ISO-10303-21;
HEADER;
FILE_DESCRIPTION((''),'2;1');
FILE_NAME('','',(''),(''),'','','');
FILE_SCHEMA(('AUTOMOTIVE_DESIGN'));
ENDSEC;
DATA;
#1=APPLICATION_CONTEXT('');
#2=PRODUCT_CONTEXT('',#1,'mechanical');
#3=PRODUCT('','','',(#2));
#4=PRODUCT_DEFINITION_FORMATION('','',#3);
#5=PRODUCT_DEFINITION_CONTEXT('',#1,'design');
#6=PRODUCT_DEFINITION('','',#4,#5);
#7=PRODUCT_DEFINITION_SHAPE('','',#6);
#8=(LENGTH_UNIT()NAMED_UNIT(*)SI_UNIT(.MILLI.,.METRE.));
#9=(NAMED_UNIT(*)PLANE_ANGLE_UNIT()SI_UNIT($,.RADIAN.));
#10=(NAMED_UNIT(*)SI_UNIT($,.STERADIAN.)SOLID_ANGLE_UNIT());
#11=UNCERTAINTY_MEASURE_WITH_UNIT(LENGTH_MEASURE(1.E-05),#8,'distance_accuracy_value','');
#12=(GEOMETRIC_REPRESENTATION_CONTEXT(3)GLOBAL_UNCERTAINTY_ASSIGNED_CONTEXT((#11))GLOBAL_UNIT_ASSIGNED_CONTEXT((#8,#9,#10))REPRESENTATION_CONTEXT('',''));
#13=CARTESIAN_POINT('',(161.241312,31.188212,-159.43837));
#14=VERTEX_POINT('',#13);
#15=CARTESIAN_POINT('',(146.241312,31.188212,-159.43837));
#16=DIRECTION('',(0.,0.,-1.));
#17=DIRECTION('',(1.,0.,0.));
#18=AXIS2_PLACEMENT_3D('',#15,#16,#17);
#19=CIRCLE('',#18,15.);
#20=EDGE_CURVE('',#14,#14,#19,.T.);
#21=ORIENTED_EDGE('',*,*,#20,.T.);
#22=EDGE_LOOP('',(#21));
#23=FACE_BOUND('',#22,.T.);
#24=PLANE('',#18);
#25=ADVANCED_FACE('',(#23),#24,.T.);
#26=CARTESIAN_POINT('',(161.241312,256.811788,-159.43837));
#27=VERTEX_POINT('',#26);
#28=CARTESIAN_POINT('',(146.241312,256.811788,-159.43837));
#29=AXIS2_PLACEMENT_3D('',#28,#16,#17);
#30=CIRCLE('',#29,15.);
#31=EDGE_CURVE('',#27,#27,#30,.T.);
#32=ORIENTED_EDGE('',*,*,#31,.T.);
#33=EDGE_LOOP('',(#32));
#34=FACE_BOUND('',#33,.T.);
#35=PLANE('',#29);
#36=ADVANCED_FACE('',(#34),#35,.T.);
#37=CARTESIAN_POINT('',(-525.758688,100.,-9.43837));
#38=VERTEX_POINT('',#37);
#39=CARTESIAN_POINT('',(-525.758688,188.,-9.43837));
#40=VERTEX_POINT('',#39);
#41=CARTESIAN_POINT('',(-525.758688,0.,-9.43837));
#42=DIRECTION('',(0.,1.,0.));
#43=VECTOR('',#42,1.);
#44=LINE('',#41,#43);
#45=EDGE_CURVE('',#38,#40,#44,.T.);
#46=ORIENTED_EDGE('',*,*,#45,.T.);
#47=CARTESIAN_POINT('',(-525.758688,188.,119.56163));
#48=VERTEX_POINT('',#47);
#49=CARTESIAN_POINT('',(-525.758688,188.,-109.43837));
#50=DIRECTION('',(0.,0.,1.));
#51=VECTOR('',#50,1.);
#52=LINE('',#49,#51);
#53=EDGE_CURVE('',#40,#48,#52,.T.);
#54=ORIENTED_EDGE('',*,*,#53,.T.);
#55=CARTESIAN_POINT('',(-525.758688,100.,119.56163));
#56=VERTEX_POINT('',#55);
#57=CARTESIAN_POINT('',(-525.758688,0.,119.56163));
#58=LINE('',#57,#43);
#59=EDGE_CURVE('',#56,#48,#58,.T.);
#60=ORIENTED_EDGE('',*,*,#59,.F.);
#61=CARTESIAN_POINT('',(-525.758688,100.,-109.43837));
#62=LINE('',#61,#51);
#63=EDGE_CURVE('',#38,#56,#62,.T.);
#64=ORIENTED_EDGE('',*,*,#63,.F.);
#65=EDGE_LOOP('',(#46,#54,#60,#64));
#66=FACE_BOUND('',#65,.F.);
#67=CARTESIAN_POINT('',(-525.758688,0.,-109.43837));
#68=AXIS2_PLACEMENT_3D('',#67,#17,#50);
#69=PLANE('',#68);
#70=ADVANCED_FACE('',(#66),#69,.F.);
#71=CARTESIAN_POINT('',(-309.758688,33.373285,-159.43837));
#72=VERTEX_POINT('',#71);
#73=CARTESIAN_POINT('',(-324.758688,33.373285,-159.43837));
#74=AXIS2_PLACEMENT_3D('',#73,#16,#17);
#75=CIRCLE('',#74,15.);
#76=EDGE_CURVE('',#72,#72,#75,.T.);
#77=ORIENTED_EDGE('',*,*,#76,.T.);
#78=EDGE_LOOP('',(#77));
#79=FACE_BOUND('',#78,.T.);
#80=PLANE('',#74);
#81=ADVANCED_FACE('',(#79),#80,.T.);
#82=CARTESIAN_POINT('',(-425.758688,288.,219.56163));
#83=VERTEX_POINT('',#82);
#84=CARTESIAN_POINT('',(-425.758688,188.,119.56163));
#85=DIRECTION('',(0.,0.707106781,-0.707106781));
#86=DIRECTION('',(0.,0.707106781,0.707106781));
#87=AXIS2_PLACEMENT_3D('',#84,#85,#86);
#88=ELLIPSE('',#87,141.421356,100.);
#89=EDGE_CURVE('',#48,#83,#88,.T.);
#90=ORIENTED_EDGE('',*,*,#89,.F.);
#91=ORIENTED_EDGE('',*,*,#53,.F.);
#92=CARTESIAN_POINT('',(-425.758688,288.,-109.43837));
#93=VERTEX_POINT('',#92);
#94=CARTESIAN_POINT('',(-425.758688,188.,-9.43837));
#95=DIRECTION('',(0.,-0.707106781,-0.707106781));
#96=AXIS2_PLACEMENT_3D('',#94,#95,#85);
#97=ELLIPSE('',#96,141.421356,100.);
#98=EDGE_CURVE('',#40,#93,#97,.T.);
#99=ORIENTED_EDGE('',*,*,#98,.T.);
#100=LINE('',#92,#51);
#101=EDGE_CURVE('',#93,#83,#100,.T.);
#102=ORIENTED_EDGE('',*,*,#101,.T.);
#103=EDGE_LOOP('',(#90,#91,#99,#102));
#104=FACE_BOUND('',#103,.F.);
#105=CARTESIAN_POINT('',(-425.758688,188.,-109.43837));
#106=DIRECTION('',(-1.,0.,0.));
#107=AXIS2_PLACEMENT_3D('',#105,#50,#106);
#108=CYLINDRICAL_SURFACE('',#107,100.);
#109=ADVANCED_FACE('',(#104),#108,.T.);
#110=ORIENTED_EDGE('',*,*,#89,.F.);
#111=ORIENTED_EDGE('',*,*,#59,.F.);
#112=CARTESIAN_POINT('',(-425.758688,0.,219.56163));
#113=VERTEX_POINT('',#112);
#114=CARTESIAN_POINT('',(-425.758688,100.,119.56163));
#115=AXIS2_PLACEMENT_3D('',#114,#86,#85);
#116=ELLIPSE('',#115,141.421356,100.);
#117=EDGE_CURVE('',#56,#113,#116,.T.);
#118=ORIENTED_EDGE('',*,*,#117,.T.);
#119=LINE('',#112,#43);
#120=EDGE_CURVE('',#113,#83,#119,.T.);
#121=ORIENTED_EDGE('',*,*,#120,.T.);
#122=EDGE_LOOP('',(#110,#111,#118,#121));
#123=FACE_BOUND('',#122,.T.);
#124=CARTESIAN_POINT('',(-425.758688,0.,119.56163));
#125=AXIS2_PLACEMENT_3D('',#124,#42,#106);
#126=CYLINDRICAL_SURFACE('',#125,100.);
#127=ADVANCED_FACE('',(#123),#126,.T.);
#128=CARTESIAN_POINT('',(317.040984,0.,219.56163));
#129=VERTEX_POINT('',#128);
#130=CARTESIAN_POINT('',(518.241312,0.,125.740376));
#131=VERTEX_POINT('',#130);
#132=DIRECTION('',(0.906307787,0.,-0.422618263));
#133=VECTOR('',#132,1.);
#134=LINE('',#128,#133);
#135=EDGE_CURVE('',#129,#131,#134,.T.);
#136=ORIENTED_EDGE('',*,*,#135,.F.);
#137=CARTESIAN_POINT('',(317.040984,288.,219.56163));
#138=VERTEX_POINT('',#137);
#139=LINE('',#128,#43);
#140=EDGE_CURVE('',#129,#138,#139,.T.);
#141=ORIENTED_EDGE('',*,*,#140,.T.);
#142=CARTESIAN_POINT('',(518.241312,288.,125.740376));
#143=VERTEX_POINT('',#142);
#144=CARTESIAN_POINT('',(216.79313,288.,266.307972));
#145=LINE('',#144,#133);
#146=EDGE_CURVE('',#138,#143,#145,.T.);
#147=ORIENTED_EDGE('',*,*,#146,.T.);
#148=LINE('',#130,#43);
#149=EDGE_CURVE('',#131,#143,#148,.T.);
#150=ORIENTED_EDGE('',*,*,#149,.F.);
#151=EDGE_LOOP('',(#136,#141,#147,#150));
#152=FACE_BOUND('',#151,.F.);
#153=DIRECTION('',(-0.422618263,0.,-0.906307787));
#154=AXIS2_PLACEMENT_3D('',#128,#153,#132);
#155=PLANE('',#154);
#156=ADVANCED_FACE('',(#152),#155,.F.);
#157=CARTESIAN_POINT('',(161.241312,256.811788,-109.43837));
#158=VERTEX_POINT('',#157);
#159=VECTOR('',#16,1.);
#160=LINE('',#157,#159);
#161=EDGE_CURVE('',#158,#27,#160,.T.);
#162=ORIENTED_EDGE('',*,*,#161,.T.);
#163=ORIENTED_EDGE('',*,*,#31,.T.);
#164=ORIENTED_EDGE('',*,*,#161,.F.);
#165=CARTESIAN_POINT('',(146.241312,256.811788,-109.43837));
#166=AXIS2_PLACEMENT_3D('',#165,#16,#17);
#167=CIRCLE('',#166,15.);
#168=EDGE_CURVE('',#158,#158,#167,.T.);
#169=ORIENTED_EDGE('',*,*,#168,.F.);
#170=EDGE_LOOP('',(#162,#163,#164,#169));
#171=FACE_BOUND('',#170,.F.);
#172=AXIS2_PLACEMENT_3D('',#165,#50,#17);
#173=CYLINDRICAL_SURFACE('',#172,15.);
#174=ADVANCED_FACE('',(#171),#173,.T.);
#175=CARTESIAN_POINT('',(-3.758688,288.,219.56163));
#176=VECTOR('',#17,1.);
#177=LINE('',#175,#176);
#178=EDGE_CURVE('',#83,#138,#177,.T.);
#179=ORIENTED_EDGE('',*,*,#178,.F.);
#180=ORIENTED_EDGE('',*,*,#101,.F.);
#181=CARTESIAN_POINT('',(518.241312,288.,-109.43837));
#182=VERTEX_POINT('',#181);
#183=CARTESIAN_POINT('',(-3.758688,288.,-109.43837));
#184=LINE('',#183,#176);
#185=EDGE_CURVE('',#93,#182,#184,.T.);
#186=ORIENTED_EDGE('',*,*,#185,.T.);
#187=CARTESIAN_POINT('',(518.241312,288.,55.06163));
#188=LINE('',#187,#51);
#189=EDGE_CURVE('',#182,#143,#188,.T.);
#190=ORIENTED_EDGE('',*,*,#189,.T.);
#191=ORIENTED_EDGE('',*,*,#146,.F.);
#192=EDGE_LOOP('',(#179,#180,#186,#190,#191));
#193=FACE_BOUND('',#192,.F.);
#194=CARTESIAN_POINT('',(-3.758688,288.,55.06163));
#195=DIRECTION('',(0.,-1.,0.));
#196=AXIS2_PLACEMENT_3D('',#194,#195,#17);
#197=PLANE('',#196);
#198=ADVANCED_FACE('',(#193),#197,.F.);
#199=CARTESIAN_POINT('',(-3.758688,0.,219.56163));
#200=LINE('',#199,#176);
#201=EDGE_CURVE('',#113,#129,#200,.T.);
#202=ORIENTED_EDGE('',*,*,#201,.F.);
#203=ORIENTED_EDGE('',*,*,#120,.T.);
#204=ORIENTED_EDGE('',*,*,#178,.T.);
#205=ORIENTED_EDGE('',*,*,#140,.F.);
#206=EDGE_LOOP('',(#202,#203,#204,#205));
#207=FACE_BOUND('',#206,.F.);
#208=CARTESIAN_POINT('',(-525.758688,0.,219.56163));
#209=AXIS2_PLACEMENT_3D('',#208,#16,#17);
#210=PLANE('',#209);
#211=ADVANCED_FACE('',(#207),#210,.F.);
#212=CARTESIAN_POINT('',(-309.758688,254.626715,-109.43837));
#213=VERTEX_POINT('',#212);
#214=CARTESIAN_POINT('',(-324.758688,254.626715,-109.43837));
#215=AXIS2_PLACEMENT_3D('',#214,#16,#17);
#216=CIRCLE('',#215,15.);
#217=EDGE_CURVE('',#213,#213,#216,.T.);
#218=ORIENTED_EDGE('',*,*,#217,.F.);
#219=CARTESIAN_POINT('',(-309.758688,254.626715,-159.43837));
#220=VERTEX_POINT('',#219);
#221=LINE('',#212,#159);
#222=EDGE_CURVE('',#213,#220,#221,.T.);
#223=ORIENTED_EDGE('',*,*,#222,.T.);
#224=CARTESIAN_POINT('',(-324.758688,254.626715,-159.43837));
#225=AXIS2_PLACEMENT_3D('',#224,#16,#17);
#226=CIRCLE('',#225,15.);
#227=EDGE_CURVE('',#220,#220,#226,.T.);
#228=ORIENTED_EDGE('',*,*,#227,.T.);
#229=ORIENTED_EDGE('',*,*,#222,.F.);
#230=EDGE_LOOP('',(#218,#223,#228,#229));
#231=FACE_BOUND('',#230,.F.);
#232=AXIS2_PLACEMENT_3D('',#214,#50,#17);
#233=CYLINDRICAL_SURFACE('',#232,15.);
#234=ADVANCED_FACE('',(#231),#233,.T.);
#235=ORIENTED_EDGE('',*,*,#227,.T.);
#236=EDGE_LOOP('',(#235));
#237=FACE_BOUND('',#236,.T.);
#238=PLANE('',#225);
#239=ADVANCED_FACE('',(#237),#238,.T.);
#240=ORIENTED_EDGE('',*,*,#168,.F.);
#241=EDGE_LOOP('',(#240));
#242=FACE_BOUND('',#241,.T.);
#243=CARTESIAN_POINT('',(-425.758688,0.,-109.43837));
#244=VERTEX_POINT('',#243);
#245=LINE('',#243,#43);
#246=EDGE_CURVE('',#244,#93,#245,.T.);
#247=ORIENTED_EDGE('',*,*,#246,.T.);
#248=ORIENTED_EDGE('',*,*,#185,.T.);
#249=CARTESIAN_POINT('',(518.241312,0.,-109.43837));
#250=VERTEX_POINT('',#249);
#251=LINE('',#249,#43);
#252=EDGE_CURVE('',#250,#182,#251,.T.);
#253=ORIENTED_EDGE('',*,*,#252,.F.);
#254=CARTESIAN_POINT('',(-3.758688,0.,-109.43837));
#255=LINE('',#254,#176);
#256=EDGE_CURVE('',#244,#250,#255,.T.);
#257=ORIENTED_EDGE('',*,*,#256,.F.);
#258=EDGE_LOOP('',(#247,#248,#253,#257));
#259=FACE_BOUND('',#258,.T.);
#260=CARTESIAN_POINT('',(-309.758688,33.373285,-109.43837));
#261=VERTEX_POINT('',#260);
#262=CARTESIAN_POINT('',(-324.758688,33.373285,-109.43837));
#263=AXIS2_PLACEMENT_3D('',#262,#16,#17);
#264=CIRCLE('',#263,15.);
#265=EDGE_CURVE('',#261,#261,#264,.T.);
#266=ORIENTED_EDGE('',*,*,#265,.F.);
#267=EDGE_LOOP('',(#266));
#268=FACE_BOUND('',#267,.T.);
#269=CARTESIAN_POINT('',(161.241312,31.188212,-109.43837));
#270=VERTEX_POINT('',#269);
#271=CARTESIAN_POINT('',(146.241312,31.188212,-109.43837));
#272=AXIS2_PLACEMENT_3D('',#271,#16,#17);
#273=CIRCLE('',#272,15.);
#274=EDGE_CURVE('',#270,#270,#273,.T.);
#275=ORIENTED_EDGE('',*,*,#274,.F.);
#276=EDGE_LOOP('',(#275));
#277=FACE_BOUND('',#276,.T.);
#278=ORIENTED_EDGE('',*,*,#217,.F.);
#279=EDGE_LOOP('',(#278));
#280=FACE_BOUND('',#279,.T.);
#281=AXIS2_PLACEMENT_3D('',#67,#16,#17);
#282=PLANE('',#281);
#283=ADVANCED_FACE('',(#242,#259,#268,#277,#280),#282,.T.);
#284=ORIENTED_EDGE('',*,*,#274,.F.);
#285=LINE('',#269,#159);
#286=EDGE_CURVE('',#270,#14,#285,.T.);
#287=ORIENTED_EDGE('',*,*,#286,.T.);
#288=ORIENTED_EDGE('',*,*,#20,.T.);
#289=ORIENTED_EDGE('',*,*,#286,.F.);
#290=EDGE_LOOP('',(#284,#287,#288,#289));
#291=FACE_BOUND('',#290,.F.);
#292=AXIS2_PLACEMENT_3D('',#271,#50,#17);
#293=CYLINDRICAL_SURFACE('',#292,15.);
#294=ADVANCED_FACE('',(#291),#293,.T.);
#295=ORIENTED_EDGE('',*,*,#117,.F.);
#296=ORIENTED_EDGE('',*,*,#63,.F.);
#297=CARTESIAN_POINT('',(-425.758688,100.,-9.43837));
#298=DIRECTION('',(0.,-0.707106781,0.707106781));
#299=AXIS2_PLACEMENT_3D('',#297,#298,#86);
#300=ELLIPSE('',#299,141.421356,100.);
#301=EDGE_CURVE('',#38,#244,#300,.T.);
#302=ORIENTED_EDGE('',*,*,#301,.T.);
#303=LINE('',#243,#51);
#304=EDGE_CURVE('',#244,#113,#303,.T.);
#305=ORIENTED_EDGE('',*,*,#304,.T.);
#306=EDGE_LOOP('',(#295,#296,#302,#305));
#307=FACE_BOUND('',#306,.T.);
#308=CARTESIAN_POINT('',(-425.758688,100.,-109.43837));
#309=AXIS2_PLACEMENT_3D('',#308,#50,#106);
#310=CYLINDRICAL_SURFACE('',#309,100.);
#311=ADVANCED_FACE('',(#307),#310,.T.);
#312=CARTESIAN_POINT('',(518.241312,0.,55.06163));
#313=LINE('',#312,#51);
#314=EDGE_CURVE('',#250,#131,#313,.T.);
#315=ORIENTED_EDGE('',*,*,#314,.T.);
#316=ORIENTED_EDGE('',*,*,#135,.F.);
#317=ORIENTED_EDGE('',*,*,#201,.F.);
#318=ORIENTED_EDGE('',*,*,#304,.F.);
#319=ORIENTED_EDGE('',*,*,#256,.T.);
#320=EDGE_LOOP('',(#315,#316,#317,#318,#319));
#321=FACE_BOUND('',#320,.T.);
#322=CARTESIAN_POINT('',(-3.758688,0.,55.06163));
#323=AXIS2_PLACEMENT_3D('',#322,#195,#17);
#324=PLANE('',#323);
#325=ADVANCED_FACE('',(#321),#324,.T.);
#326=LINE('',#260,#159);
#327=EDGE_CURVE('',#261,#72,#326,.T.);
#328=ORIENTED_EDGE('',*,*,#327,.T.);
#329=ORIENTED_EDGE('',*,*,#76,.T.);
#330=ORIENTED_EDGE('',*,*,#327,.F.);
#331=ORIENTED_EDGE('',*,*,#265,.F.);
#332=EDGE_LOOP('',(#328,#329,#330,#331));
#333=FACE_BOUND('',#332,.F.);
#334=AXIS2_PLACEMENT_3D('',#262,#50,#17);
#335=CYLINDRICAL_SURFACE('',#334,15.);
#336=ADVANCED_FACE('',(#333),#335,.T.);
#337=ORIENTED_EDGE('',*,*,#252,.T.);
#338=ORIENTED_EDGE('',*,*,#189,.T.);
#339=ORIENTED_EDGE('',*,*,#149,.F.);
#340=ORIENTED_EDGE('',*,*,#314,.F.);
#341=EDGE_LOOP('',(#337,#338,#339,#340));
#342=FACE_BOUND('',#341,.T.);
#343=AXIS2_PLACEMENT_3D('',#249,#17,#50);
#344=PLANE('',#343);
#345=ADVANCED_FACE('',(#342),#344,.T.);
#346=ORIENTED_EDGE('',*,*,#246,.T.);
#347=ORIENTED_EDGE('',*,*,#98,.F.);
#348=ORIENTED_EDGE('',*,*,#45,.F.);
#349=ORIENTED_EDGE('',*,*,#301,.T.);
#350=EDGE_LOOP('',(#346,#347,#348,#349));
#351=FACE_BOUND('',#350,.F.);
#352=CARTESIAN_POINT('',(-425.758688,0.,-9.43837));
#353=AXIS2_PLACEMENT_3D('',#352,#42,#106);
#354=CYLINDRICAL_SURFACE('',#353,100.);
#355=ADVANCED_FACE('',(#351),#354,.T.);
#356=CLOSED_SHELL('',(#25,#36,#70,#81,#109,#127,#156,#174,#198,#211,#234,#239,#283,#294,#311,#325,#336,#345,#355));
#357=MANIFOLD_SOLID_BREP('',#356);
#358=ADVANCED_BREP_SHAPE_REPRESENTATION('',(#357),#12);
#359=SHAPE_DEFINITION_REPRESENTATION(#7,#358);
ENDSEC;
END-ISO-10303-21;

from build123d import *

# Parameters (mm, degrees)
F0_W     = 1044
F0_H     = 329
F1_DEPTH = 288
F2_R     = 100
F4_DEPTH = 288.001
F5_R     = 15
F6_DEPTH = 50


with BuildPart() as f1:
    # F0 (on Front) → F1 (new body)
    with BuildSketch(Plane.XZ):
        with Locations((-3.758688, 55.06163)):
            Rectangle(F0_W, F0_H)
    extrude(amount=-F1_DEPTH)

    # F2
    f2_edges = [f1.edges().sort_by_distance(p)[0] for p in [
        (-525.758688, 144, 219.56163),
        (-525.758688, 144, -109.43837),
        (-525.758688, 0, 55.06163),
        (-525.758688, 288, 55.06163),
    ]]
    fillet(f2_edges, radius=F2_R)

    # F3 (on face) → F4 (cut, through all)
    with BuildSketch(Plane.XZ):
        Polygon((518.241312, 219.56163), (317.040984, 219.56163), (518.241312, 125.740376), align=None)
    extrude(amount=-F4_DEPTH, mode=Mode.SUBTRACT)

    # F5 (on face) → F6 (join)
    with BuildSketch(Plane(origin=(0, 0, -109.43837), x_dir=(1, 0, 0), z_dir=(0, 0, -1))):
        with Locations((-324.758688, -33.373285)):
            Circle(F5_R)
        with Locations((146.241312, -31.188212)):
            Circle(F5_R)
        with Locations((-324.758688, -254.626715)):
            Circle(F5_R)
        with Locations((146.241312, -256.811788)):
            Circle(F5_R)
    extrude(amount=F6_DEPTH)


solid = f1.part
